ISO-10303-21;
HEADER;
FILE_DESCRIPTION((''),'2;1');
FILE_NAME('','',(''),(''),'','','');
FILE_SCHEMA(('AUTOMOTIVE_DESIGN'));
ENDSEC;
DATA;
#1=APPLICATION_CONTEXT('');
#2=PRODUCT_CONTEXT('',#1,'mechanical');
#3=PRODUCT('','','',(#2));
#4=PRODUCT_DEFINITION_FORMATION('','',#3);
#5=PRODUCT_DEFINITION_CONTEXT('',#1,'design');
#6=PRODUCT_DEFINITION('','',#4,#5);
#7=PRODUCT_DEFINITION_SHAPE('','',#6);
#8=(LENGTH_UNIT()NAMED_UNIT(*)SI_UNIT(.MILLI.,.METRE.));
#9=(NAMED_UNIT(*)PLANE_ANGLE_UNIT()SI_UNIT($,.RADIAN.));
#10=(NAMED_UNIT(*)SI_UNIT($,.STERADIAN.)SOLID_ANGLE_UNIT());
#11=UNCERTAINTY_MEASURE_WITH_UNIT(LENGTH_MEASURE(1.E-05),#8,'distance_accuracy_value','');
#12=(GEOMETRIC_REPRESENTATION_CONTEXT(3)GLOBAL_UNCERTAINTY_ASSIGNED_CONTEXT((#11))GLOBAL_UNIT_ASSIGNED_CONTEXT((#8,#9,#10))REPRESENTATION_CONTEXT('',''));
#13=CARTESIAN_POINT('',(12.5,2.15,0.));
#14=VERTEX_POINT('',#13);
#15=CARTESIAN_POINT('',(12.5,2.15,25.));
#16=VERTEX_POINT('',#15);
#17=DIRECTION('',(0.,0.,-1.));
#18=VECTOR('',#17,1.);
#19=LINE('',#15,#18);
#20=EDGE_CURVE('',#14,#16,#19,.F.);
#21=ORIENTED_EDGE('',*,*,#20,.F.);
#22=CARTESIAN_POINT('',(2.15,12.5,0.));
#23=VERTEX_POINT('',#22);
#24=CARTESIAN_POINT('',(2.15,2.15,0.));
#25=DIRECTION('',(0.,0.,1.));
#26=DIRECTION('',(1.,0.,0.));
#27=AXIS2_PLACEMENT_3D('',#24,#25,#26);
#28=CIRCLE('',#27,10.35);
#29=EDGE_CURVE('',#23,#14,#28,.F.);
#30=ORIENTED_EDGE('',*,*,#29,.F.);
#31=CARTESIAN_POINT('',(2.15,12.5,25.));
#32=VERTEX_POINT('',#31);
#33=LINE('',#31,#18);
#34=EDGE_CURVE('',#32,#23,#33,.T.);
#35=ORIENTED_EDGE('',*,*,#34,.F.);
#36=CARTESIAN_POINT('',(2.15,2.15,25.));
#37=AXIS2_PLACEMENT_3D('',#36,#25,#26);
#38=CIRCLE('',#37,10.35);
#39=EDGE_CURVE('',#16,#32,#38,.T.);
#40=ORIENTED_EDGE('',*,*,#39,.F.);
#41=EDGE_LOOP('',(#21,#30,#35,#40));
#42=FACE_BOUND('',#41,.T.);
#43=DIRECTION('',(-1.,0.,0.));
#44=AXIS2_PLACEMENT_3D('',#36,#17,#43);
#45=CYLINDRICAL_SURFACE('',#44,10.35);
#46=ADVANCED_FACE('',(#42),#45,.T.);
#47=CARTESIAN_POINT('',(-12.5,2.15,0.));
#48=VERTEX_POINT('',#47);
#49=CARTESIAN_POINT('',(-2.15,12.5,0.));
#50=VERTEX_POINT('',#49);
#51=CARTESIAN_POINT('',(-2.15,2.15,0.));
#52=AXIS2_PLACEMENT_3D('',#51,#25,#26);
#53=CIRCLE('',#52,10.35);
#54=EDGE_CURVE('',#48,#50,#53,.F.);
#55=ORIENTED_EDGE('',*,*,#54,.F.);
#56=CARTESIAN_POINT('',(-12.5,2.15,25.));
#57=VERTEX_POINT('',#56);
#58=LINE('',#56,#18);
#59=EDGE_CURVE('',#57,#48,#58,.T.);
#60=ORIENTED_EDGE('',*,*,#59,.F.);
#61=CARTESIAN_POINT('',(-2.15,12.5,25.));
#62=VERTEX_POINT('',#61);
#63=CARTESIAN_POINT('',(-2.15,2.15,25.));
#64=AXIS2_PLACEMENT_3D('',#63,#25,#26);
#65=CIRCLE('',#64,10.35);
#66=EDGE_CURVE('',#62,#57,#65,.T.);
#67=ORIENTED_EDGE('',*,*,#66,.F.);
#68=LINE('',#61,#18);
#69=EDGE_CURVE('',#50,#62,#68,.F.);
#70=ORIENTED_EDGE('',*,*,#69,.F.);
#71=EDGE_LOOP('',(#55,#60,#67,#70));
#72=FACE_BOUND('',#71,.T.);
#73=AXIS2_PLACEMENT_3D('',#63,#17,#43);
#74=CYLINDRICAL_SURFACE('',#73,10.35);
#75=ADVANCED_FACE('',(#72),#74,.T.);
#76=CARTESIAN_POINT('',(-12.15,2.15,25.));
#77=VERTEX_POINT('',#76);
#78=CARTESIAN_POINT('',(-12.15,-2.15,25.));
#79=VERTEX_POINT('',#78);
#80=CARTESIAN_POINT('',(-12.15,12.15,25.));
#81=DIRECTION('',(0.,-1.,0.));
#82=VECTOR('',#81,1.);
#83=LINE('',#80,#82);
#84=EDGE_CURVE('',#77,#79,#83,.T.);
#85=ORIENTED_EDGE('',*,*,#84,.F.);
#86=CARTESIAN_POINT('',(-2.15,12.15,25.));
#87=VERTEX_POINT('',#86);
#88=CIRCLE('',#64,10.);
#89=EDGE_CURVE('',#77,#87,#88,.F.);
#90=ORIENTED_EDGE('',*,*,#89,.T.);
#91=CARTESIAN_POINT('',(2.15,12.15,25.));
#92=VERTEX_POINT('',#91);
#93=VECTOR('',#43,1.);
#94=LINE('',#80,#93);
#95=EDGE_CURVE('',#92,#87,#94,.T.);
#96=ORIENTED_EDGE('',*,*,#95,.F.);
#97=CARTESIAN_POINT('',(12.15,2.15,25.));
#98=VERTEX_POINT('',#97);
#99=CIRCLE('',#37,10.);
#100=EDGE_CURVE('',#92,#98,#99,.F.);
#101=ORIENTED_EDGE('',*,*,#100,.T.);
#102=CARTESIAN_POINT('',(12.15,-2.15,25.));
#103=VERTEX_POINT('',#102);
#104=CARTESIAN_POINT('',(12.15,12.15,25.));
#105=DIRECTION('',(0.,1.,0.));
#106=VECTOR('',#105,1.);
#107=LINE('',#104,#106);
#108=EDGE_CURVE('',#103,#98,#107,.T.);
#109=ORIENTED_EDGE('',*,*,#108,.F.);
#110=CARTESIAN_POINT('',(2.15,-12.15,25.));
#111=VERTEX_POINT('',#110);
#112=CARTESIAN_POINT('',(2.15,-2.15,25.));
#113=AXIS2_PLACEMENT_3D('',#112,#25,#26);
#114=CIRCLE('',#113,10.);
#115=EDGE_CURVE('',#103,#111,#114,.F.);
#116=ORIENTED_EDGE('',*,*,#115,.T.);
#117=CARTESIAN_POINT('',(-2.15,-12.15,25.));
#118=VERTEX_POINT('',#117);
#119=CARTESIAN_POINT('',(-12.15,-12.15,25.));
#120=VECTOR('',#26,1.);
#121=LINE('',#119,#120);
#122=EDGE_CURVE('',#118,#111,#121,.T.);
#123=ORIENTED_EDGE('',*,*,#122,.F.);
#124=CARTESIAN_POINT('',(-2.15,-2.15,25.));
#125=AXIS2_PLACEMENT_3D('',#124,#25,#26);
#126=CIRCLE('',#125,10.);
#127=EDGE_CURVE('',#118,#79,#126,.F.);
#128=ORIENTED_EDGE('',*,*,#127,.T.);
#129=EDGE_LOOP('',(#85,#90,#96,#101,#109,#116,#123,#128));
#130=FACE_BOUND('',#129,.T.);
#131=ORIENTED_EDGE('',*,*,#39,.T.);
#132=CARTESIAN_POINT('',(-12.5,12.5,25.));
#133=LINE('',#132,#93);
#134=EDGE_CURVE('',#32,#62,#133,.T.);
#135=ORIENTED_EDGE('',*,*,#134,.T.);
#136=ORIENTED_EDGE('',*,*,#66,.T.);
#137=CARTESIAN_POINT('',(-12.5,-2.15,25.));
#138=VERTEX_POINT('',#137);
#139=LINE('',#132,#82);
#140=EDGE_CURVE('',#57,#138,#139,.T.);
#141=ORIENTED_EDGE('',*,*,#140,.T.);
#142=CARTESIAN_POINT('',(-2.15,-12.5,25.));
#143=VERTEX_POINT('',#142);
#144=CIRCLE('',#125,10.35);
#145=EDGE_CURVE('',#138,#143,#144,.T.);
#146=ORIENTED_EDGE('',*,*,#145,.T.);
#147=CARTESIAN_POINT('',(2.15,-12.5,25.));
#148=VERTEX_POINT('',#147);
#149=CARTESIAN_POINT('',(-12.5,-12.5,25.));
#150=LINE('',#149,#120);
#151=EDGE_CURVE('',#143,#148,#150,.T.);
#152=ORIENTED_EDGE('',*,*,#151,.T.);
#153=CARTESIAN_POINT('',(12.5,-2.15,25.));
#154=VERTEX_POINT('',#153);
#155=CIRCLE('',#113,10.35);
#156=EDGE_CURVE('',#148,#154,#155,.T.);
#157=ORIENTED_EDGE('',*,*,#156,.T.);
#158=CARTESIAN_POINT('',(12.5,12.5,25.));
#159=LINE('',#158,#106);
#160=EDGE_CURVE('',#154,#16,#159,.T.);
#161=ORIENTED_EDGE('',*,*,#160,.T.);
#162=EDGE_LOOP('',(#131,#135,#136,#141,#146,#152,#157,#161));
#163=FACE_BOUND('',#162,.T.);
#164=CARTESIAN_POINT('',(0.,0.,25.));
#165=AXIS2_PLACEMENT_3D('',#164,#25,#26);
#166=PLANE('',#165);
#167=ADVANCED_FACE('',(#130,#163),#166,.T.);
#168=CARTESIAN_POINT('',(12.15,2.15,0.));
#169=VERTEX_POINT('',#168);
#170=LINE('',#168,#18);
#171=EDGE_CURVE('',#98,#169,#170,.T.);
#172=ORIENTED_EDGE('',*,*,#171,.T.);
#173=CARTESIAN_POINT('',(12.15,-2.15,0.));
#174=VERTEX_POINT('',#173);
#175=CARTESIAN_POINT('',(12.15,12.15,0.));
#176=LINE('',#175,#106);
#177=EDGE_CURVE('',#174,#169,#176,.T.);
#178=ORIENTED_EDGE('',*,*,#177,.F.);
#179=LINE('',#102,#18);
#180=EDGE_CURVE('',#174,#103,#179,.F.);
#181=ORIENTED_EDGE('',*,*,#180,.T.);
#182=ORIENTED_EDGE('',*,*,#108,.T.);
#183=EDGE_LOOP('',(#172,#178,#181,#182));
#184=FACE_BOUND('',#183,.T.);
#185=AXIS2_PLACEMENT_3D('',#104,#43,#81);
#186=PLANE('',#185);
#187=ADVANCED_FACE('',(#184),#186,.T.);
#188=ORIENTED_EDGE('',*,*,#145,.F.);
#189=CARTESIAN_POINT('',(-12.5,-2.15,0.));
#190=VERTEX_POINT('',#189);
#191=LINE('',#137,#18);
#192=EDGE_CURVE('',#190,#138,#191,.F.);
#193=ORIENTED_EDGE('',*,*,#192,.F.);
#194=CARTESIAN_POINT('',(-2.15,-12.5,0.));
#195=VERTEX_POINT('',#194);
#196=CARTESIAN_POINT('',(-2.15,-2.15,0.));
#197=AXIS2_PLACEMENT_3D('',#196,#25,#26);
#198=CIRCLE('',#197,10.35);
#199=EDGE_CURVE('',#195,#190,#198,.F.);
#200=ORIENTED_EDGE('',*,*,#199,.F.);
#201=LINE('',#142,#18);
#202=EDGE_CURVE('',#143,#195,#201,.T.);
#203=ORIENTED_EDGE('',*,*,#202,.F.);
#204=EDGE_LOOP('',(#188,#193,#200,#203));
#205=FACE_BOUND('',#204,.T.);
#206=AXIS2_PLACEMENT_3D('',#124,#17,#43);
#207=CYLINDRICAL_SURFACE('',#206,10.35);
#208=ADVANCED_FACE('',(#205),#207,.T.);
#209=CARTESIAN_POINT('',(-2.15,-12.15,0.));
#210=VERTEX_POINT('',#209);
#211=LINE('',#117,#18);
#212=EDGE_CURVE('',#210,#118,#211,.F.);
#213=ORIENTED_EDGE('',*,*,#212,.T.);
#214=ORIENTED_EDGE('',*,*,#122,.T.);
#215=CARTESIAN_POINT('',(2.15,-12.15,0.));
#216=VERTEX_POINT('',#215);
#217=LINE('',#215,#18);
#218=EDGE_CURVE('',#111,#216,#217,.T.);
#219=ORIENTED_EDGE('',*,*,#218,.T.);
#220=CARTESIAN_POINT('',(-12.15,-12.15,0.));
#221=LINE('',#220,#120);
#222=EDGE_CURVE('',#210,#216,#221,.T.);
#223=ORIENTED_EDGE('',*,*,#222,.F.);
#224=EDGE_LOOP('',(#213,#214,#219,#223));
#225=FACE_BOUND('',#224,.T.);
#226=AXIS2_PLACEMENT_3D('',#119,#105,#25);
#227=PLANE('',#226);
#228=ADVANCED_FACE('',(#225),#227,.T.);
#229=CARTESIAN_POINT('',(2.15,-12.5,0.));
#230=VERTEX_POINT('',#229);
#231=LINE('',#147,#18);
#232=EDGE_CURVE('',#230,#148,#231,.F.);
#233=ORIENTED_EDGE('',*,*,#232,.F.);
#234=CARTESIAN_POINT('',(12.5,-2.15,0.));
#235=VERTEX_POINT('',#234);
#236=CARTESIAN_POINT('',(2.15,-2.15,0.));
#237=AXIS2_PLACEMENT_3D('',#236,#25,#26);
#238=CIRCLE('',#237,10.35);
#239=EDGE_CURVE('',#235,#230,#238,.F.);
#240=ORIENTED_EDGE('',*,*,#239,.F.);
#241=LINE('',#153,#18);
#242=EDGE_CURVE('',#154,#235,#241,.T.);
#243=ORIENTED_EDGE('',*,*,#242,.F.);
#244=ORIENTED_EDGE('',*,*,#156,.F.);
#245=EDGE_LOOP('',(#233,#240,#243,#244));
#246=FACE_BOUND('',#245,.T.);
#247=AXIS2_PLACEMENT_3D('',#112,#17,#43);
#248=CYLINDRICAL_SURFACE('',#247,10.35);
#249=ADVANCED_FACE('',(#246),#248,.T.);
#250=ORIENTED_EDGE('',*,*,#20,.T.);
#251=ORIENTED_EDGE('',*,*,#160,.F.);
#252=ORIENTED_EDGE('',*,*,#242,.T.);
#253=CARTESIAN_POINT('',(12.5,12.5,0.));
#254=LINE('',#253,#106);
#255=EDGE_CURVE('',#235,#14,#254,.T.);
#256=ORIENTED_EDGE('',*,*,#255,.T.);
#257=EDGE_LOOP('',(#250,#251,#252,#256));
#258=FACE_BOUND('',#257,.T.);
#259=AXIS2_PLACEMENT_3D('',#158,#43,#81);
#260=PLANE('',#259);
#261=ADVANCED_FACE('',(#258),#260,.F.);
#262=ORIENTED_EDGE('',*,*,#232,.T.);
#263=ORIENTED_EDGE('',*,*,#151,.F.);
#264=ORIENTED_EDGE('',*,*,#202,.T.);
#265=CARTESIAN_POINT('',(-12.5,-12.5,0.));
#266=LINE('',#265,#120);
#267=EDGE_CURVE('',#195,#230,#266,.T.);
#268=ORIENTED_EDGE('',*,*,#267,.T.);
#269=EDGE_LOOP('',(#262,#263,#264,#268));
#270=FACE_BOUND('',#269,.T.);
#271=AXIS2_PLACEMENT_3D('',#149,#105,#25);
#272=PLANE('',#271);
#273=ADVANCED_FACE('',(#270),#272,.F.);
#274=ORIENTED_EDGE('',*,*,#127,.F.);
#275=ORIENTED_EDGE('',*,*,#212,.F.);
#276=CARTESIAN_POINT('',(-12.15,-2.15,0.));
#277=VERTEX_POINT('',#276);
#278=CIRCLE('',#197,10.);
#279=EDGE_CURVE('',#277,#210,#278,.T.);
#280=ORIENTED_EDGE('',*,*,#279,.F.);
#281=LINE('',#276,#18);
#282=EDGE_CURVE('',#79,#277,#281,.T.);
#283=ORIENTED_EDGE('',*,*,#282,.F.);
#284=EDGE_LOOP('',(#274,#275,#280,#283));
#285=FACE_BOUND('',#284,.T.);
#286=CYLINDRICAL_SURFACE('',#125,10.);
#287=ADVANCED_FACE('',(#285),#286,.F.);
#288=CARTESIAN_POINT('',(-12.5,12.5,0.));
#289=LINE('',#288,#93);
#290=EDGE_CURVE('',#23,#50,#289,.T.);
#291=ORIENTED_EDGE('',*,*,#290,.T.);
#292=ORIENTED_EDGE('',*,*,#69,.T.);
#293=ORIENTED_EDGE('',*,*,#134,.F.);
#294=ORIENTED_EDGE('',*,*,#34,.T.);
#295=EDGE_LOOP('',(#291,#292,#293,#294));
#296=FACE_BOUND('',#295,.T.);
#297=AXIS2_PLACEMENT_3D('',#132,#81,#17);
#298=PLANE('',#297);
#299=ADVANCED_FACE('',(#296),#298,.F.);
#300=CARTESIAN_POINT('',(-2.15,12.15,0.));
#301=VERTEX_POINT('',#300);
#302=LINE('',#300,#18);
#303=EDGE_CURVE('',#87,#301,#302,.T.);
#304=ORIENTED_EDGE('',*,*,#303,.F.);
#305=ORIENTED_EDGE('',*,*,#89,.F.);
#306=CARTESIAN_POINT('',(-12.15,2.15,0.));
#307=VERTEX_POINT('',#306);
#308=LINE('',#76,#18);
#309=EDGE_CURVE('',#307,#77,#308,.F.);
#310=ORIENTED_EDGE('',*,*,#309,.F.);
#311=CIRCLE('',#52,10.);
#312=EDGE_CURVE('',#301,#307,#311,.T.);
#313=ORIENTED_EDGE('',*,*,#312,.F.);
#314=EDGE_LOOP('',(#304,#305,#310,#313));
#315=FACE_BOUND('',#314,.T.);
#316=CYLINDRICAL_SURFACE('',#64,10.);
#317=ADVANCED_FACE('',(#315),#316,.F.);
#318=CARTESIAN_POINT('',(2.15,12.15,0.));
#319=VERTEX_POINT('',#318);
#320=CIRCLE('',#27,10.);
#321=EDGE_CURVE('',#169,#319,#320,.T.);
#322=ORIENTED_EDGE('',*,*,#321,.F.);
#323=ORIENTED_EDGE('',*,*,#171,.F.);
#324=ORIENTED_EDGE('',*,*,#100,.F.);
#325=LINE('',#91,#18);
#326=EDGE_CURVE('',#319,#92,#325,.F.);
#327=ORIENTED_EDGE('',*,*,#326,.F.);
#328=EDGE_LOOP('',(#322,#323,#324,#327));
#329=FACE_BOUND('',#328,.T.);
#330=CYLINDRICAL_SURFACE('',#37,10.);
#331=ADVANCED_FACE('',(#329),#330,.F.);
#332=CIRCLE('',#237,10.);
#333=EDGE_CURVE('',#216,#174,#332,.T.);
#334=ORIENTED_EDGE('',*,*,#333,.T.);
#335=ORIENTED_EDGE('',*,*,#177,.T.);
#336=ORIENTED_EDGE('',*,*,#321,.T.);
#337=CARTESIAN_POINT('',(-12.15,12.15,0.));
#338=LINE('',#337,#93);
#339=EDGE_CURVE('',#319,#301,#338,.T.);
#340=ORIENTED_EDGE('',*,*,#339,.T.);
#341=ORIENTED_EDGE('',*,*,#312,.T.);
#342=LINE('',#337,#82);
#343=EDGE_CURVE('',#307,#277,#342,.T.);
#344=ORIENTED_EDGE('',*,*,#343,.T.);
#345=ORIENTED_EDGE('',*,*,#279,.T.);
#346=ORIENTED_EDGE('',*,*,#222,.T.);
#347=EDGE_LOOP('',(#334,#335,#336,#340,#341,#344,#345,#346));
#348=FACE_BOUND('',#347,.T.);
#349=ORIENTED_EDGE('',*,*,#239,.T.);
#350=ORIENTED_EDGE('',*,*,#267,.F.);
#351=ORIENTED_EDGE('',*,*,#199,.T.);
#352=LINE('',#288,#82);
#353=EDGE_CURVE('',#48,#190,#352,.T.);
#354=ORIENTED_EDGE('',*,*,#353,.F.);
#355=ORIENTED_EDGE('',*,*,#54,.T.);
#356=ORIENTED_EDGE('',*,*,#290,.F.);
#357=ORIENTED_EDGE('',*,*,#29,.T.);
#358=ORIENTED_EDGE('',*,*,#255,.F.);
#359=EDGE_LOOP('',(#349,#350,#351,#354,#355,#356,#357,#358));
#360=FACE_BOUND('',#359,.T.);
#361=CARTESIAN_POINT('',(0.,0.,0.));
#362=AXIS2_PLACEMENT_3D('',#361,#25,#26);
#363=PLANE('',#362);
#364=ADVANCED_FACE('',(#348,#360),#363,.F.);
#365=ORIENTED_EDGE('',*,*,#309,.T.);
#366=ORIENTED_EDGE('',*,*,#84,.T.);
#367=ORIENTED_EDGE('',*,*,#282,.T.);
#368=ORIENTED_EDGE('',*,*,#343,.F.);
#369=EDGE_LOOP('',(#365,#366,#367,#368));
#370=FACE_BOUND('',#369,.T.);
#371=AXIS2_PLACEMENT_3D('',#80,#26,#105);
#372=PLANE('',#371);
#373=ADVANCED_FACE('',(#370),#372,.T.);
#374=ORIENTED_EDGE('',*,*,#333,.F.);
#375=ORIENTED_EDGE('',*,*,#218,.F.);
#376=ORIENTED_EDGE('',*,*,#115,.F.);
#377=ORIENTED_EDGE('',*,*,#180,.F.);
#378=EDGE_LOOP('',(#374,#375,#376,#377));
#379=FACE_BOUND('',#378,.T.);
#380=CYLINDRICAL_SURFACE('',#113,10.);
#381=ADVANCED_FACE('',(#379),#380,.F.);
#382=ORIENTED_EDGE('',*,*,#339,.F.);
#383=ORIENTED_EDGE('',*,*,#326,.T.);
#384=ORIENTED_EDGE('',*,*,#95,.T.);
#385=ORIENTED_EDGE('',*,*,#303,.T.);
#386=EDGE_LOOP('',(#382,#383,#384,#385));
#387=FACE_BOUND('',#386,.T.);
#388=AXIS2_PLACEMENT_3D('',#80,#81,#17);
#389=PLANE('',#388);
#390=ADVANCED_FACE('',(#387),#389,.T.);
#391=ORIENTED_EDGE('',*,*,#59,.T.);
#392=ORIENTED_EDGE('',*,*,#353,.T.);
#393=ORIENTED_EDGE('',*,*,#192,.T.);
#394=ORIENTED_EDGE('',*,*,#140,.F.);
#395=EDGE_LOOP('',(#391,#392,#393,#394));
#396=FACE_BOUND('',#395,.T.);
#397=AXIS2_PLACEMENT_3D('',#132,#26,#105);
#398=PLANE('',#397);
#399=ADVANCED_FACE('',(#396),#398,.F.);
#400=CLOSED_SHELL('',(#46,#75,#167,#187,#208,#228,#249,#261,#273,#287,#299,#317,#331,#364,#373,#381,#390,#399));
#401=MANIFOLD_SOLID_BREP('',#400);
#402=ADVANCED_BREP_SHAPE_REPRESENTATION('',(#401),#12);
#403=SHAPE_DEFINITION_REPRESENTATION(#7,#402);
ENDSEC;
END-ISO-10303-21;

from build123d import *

# Parameters (mm, degrees)
SKETCH1_W           = 25
SKETCH1_H           = 25
SKETCH1_W_2         = 24.3
SKETCH1_H_2         = 24.3
BOSS_EXTRUDE1_DEPTH = 25
FILLET3_R           = 10
FILLET4_R           = 10.35


with BuildPart() as part:
    # Sketch1 → Boss-Extrude1 (new body)
    with BuildSketch(Plane.XY):
        Rectangle(SKETCH1_W, SKETCH1_H)
        Rectangle(SKETCH1_W_2, SKETCH1_H_2, mode=Mode.SUBTRACT)
    extrude(amount=BOSS_EXTRUDE1_DEPTH)

    # Fillet3
    fillet3_edges = [part.edges().sort_by_distance(p)[0] for p in [
        (12.15, -12.15, 12.5),
        (12.15, 12.15, 12.5),
        (-12.15, 12.15, 12.5),
        (-12.15, -12.15, 12.5),
    ]]
    fillet(fillet3_edges, radius=FILLET3_R)

    # Fillet4
    fillet4_edges = [part.edges().sort_by_distance(p)[0] for p in [
        (12.5, -12.5, 12.5),
        (-12.5, -12.5, 12.5),
        (-12.5, 12.5, 12.5),
        (12.5, 12.5, 12.5),
    ]]
    fillet(fillet4_edges, radius=FILLET4_R)


solid = part.part
